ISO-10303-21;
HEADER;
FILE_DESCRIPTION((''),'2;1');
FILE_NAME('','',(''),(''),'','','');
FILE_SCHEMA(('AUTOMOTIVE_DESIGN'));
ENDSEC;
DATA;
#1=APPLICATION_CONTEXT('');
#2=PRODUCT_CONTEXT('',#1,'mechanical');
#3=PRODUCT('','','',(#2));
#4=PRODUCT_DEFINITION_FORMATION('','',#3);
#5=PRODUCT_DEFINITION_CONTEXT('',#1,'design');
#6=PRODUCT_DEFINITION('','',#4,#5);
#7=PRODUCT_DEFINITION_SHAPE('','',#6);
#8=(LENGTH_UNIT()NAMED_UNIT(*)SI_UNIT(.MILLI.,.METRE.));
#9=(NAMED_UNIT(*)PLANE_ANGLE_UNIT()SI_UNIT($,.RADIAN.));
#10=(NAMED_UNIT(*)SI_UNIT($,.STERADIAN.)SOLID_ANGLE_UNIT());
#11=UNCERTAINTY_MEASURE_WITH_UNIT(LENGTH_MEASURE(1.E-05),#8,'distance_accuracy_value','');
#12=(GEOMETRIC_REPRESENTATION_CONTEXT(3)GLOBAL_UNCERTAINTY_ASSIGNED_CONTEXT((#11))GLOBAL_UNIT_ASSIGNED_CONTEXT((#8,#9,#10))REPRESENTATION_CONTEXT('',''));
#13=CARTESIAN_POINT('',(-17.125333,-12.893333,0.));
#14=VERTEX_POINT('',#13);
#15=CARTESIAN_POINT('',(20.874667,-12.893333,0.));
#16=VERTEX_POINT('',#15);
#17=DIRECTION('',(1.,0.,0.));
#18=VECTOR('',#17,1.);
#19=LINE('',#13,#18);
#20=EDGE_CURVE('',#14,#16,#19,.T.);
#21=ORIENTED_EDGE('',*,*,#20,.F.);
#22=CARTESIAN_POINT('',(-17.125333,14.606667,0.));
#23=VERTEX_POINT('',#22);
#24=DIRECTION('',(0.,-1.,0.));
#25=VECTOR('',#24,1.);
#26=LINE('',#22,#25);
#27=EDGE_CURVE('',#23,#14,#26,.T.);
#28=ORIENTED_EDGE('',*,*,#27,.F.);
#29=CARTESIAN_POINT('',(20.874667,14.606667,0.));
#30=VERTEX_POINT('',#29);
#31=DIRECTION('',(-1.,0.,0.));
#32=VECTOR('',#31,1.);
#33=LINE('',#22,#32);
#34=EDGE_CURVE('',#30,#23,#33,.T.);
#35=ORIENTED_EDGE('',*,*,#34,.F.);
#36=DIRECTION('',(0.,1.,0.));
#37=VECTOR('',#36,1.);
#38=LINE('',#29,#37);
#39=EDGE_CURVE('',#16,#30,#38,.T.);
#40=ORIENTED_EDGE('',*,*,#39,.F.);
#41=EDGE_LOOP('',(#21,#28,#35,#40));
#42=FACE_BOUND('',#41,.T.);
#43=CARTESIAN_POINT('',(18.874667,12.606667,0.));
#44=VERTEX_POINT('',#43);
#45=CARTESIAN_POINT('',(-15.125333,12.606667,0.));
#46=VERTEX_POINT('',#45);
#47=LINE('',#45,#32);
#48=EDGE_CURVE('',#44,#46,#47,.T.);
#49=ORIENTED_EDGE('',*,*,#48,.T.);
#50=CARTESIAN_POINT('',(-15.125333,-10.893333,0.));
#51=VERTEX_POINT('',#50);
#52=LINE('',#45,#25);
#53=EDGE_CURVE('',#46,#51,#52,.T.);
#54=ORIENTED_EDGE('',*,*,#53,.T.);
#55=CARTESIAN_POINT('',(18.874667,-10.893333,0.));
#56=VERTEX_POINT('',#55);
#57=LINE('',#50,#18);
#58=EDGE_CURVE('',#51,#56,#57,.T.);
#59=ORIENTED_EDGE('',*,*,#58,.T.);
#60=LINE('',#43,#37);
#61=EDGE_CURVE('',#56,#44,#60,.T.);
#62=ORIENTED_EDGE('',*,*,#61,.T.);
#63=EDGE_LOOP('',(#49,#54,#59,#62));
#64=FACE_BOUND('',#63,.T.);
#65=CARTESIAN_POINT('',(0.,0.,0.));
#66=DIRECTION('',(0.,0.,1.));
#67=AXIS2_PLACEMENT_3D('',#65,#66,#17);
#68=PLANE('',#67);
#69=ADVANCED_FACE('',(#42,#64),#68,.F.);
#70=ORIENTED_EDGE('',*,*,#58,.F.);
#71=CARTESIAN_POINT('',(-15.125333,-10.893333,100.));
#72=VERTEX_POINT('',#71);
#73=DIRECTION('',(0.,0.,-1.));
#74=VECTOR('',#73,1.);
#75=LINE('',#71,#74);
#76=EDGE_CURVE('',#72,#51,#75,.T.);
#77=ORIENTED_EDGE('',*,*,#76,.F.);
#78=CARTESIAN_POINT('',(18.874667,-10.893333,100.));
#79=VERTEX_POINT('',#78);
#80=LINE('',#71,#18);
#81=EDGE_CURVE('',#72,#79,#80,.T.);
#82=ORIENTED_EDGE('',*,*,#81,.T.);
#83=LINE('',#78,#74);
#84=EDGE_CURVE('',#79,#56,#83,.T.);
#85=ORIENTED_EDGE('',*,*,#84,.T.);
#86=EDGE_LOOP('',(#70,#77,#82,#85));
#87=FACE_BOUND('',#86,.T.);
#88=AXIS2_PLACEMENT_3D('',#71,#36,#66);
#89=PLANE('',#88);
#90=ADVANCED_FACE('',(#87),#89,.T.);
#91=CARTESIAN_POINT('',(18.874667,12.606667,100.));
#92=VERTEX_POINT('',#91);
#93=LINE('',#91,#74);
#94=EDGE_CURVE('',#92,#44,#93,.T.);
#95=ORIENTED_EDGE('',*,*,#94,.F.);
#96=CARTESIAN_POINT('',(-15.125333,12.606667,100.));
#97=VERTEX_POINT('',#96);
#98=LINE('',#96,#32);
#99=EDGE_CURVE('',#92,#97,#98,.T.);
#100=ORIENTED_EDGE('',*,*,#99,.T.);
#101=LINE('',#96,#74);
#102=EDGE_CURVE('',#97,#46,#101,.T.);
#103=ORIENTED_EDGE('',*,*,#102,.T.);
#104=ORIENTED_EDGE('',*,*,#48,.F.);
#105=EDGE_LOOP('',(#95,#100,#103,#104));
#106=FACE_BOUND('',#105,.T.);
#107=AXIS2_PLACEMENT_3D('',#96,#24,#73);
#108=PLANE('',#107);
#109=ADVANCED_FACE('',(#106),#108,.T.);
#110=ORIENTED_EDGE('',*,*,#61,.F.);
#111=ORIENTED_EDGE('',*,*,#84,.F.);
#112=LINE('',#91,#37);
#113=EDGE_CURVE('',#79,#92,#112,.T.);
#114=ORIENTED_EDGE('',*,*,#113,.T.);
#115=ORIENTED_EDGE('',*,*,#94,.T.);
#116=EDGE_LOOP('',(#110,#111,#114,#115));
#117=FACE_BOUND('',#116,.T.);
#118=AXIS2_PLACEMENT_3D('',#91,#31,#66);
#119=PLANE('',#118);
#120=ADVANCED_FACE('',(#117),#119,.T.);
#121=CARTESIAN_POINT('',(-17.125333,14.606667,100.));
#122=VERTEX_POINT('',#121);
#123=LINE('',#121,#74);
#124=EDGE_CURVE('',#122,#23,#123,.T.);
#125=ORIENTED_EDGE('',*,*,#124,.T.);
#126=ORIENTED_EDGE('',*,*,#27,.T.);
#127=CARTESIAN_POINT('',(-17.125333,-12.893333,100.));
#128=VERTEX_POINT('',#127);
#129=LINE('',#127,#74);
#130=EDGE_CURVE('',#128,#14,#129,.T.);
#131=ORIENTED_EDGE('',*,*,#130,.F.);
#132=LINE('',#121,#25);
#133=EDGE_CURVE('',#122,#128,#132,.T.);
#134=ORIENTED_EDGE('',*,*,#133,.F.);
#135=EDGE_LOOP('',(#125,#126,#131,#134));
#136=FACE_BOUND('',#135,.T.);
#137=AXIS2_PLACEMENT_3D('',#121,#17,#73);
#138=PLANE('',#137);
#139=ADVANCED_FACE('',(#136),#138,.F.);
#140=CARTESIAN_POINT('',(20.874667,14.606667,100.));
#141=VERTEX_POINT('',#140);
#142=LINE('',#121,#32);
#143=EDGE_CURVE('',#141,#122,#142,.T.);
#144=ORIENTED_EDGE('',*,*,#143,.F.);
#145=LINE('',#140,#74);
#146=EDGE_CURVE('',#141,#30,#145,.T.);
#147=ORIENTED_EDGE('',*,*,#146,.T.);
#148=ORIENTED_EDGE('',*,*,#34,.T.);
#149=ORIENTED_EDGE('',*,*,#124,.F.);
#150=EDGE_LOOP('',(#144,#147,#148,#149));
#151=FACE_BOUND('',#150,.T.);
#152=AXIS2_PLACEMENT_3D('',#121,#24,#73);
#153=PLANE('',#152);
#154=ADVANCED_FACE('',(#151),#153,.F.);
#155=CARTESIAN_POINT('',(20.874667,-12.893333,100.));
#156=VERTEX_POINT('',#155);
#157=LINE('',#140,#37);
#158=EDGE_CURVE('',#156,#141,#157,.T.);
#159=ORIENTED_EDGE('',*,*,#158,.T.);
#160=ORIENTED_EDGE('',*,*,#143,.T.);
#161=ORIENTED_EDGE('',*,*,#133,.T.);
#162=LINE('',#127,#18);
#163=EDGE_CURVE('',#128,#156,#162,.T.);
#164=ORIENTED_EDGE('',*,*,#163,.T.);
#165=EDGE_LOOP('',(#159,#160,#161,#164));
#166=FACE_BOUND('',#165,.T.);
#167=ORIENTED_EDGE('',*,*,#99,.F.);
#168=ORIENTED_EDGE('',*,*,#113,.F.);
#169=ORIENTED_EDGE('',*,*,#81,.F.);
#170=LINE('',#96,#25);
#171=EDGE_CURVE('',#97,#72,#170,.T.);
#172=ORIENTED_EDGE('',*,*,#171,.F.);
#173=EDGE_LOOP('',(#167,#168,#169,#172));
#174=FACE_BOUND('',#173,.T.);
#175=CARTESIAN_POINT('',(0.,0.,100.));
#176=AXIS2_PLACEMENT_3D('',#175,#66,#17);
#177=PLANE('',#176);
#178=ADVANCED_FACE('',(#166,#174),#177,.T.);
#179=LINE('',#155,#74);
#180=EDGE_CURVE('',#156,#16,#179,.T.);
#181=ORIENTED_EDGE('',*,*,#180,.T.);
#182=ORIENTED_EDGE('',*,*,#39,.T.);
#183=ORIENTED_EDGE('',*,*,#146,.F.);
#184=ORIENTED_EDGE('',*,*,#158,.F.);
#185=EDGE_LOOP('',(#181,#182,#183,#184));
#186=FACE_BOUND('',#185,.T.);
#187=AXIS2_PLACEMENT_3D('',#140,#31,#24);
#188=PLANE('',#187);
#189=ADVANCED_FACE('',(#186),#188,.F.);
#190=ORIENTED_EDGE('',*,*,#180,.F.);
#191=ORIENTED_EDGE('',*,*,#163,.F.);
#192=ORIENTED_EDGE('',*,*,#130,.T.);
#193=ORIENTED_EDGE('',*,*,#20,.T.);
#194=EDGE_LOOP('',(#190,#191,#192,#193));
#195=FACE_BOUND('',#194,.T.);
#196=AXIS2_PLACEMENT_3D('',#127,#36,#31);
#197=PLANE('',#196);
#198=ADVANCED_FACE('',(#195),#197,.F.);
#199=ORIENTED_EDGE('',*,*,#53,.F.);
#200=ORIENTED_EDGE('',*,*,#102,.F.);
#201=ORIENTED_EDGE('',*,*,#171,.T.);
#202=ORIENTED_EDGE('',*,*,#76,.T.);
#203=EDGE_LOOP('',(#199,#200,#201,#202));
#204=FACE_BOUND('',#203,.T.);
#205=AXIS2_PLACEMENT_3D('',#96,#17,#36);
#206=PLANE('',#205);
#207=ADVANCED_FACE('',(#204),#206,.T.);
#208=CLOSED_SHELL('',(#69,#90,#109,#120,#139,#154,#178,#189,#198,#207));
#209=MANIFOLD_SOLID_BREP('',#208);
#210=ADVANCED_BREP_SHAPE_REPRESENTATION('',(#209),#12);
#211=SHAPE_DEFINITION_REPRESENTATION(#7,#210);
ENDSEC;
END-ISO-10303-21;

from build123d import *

# Parameters (mm, degrees)
SKETCH1_W           = 38
SKETCH1_H           = 27.5
SKETCH1_W_2         = 34
SKETCH1_H_2         = 23.5
BOSS_EXTRUDE1_DEPTH = 100


with BuildPart() as part:
    # Sketch1 → Boss-Extrude1 (new body)
    with BuildSketch(Plane.XY):
        with Locations((1.874666667, 0.856666667)):
            Rectangle(SKETCH1_W, SKETCH1_H)
        with Locations((1.874666667, 0.856666667)):
            Rectangle(SKETCH1_W_2, SKETCH1_H_2, mode=Mode.SUBTRACT)
    extrude(amount=BOSS_EXTRUDE1_DEPTH)


solid = part.part
